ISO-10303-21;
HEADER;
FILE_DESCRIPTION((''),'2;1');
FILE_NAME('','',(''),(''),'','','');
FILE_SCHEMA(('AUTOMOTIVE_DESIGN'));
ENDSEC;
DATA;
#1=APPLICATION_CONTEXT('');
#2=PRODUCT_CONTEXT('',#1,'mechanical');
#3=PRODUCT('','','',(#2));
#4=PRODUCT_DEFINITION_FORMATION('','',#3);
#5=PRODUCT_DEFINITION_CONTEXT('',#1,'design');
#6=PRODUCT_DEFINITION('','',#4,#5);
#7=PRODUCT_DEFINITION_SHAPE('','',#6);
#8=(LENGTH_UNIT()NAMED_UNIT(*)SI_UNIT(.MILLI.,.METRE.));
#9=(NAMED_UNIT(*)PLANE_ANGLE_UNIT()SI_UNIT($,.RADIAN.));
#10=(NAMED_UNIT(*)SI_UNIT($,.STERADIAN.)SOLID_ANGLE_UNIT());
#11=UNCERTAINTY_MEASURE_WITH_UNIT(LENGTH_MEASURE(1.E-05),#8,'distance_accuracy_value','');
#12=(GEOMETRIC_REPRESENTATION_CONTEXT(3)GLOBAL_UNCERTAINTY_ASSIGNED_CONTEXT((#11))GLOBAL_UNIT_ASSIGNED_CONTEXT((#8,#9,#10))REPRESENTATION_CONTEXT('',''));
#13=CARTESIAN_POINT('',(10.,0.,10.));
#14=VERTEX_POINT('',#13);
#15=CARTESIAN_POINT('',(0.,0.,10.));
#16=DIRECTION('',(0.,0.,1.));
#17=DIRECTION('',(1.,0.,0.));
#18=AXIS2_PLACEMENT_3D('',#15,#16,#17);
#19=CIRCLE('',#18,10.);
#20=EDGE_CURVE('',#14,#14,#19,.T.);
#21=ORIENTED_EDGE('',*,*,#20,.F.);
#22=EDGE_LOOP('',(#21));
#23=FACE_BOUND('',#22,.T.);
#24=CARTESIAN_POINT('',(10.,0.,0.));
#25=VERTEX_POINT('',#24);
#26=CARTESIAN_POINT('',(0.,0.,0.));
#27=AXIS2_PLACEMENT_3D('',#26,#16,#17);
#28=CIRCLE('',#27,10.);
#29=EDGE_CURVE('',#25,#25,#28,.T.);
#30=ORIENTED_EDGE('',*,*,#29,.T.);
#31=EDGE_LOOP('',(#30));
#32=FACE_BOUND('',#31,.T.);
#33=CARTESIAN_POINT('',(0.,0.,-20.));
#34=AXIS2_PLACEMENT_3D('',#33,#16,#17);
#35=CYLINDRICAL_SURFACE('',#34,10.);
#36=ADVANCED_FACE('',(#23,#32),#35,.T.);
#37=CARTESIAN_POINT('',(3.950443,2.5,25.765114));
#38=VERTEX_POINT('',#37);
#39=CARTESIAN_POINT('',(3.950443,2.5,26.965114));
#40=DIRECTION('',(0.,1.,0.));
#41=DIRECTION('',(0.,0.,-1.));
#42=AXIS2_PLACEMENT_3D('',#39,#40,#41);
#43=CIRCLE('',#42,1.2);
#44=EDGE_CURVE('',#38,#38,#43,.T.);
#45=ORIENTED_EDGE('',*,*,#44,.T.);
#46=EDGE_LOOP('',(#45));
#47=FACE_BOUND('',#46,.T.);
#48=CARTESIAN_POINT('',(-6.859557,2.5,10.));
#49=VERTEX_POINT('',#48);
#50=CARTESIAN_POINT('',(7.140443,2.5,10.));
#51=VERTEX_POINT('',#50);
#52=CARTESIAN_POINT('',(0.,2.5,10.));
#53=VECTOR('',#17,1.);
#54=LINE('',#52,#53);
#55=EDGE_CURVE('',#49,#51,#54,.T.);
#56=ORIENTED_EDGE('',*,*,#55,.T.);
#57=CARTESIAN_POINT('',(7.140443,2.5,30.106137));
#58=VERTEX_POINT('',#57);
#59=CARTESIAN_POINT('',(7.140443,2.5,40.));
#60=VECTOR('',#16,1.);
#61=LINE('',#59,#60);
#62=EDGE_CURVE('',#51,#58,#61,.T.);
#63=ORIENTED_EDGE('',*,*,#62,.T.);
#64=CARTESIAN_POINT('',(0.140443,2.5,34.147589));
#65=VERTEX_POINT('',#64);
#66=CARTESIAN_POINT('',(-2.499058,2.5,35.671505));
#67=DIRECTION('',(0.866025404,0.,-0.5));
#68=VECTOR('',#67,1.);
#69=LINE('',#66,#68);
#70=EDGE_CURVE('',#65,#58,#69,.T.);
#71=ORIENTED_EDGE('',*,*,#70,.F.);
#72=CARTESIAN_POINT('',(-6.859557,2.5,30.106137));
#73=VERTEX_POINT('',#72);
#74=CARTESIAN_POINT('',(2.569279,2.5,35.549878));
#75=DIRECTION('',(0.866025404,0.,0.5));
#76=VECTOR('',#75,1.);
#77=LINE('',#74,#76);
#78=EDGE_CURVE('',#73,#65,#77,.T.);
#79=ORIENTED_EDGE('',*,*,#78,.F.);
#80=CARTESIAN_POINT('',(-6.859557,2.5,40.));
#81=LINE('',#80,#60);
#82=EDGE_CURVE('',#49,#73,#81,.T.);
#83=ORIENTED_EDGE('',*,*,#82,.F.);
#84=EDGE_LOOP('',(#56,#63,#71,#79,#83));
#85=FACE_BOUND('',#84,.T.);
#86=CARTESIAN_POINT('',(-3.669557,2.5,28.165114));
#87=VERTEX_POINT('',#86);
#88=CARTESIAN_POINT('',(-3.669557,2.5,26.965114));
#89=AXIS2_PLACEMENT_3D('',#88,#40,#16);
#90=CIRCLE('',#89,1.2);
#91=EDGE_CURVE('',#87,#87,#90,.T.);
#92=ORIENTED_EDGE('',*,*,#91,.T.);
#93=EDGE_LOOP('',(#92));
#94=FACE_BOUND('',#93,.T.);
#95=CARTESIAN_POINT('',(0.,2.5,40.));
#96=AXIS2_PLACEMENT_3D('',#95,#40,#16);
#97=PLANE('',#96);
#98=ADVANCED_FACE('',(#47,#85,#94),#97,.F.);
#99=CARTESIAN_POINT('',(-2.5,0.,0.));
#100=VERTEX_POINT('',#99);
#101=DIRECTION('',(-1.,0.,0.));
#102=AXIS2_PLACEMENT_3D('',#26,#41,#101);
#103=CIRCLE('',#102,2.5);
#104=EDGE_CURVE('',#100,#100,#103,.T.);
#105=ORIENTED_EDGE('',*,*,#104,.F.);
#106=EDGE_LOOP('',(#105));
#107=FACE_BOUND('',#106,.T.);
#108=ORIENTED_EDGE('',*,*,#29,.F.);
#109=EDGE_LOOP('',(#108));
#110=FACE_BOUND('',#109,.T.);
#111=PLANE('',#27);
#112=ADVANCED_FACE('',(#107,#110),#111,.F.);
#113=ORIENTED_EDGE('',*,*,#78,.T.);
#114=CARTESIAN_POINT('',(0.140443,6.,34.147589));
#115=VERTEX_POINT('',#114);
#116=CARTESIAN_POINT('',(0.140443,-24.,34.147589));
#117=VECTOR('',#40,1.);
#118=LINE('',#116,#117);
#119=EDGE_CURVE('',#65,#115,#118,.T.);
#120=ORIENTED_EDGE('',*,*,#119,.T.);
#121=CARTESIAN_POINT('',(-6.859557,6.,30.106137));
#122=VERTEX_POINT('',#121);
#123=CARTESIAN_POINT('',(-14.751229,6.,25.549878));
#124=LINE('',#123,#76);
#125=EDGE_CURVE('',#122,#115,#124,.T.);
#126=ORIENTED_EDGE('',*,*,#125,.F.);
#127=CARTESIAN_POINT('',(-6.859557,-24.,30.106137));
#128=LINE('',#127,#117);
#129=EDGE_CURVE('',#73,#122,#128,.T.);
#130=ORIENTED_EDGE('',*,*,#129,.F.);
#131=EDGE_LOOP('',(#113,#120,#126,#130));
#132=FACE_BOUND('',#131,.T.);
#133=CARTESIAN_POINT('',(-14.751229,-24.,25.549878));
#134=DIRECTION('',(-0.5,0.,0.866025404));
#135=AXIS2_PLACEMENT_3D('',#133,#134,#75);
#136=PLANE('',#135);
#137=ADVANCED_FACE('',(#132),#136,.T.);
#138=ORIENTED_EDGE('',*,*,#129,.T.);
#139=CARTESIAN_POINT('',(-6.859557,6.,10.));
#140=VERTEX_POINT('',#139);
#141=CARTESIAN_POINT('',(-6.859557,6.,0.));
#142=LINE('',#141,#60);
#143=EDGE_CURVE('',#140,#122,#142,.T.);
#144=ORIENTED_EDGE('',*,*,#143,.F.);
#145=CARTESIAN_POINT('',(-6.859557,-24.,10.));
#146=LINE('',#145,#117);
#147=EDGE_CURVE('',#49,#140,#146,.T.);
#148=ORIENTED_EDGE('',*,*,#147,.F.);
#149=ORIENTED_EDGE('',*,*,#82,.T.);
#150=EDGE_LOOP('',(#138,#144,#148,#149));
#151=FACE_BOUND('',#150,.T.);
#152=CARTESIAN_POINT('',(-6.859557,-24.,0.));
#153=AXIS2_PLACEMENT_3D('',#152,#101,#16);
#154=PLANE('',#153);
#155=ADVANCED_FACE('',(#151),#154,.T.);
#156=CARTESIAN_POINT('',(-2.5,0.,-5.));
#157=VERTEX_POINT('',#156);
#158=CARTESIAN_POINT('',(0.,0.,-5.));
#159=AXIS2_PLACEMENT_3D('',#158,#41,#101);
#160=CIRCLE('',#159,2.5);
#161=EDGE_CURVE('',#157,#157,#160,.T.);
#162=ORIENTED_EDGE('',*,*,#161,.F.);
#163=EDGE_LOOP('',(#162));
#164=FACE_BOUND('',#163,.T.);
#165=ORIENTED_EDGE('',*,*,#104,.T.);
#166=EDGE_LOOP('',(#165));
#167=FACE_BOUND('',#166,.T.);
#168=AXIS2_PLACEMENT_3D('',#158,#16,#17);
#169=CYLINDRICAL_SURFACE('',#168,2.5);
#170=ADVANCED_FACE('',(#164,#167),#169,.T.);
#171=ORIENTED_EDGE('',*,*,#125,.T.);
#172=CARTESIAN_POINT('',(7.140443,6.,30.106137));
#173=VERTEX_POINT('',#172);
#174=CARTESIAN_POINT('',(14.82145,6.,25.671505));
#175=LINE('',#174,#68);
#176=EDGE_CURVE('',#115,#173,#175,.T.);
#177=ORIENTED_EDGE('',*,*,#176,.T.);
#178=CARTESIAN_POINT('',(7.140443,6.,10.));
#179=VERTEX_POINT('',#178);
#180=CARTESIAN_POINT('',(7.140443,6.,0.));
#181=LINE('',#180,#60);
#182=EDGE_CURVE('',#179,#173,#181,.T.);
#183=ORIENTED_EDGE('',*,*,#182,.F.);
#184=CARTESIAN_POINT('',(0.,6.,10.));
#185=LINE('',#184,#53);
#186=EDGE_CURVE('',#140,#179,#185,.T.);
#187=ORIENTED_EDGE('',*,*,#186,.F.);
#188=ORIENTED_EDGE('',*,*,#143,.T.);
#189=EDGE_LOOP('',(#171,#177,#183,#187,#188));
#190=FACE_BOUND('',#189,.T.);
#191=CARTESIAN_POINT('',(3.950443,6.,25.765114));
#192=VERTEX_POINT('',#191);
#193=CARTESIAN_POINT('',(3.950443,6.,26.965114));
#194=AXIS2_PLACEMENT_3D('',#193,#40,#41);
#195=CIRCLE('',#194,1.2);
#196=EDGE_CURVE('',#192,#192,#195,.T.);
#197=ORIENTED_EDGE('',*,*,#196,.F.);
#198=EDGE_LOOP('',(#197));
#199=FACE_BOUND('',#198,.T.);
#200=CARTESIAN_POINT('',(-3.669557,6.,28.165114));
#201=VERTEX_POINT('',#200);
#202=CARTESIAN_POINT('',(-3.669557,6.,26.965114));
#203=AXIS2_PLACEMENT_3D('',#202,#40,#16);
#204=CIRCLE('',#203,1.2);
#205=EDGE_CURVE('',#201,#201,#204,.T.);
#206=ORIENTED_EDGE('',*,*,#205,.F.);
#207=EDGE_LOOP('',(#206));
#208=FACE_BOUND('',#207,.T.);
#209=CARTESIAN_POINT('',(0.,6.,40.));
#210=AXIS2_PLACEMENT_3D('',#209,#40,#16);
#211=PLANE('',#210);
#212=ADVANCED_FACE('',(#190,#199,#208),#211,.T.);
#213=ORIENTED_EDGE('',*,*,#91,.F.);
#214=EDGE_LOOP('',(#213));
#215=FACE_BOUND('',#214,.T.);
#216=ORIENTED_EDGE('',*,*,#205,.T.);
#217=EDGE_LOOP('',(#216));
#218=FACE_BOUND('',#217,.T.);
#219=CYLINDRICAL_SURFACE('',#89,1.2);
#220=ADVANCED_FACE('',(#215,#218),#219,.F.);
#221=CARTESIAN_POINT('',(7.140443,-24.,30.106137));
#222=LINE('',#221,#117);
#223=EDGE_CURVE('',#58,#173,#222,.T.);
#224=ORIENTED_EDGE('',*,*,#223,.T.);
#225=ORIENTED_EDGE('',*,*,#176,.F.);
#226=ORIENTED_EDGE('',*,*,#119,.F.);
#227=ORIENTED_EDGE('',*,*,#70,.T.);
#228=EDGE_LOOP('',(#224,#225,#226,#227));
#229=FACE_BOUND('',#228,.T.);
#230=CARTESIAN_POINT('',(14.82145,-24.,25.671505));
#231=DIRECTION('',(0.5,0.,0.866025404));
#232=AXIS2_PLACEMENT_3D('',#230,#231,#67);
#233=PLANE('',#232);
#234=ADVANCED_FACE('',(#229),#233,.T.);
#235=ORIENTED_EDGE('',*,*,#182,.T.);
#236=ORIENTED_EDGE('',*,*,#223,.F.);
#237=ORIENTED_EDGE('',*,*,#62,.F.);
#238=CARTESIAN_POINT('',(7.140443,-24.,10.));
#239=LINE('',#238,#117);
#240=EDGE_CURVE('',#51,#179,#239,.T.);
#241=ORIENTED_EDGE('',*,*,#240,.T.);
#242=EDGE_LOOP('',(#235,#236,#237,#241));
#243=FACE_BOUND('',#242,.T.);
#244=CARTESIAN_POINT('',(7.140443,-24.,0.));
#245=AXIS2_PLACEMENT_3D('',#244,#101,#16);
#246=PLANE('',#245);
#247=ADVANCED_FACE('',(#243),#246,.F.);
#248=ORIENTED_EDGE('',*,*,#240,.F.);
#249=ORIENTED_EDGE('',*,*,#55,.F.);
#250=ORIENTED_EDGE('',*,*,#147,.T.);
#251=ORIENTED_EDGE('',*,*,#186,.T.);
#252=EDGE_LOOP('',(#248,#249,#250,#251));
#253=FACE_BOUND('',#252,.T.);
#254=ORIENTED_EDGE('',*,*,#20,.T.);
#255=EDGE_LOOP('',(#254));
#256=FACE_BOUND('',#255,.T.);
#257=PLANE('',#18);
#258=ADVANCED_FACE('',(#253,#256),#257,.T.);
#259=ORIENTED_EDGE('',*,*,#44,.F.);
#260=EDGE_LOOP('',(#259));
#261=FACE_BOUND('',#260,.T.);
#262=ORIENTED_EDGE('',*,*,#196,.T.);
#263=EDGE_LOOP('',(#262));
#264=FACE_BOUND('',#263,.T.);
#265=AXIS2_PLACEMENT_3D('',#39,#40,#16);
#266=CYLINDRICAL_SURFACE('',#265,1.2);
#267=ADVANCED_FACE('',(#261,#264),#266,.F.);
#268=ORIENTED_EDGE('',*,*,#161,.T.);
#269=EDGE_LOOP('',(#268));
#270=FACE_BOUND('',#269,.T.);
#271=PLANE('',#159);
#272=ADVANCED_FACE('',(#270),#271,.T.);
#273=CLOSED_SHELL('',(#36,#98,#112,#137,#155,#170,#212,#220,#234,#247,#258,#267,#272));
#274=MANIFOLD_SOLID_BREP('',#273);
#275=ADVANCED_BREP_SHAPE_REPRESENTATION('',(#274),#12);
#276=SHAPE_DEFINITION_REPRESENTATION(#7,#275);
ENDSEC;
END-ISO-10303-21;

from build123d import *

# Parameters (mm, degrees)
CROQUIS1_R              = 15
SALIENTE_EXTRUIR1_DEPTH = 10
CROQUIS2_R              = 2.5
SALIENTE_EXTRUIR3_DEPTH = 5
CROQUIS3_W              = 27.214568237
CROQUIS3_H              = 3.5
SALIENTE_EXTRUIR5_DEPTH = 30
REDONDEO1_SIZE          = 10
REDONDEO2_SIZE          = 10
CROQUIS4_R              = 1.2
CORTAR_EXTRUIR7_DEPTH   = 30
CORTAR_EXTRUIR8_DEPTH   = 30
CORTAR_EXTRUIR9_START   = -30
CROQUIS8_R              = 15
CROQUIS8_R_2            = 10
CORTAR_EXTRUIR9_DEPTH   = 30
CROQUIS9_R              = 1.239789427
CROQUIS9_R_2            = 1.228877731
SALIENTE_EXTRUIR6_DEPTH = 3.5
CROQUIS10_R             = 1.2
CORTAR_EXTRUIR11_DEPTH  = 3.5


with BuildPart() as part:
    # Croquis1 → Saliente-Extruir1 (new body)
    with BuildSketch(Plane.XY):
        Circle(CROQUIS1_R)
    extrude(amount=SALIENTE_EXTRUIR1_DEPTH)

    # Croquis2 → Saliente-Extruir3 (add)
    with BuildSketch(Plane(origin=(0, 0, 0), x_dir=(-1, 0, 0), z_dir=(0, 0, -1))):
        Circle(CROQUIS2_R)
    extrude(amount=SALIENTE_EXTRUIR3_DEPTH)

    # Croquis3 → Saliente-Extruir5 (add)
    with BuildSketch(Plane.XY.offset(10)):
        with Locations((0.140442967, 4.25)):
            Rectangle(CROQUIS3_W, CROQUIS3_H)
    extrude(amount=SALIENTE_EXTRUIR5_DEPTH)

    # Redondeo1
    redondeo1_edges = [part.edges().sort_by_distance(p)[0] for p in [
        (13.747727085, 4.25, 40),
    ]]
    chamfer(redondeo1_edges, length=REDONDEO1_SIZE)

    # Redondeo2
    redondeo2_edges = [part.edges().sort_by_distance(p)[0] for p in [
        (-13.466841152, 4.25, 40),
    ]]
    chamfer(redondeo2_edges, length=REDONDEO2_SIZE)

    # Croquis4 → Cortar-Extruir7 (cut)
    with BuildSketch(Plane(origin=(0, 6, 0), x_dir=(1, 0, 0), z_dir=(0, 1, 0))):
        with Locations(Location((-2.669557034, -26.064684959, 0), (0, 0, 270))):
            Circle(CROQUIS4_R)
        with Locations(Location((2.950442966, -26.064684959, 0), (0, 0, 270))):
            Circle(CROQUIS4_R)
    extrude(amount=-CORTAR_EXTRUIR7_DEPTH, mode=Mode.SUBTRACT)

    # Croquis7 → Cortar-Extruir8 (cut)
    with BuildSketch(Plane(origin=(0, 6, 0), x_dir=(1, 0, 0), z_dir=(0, 1, 0))):
        Polygon((-6.859557034, -30.106136843), (-6.859557034, -22.023233074), (-6.859557034, -10), (-13.466841152, -10), (-13.466841152, -30), (-3.466841152, -40), (3.747727085, -40), (13.747727085, -30), (13.747727085, -10), (7.140442966, -10), (7.140442966, -22.023233074), (7.140442966, -30.106136843), (0.140442966, -34.147588727), align=None)
    extrude(amount=-CORTAR_EXTRUIR8_DEPTH, mode=Mode.SUBTRACT)

    # Croquis8 → Cortar-Extruir9 (cut)
    with BuildSketch(Plane.XY.offset(10).offset(CORTAR_EXTRUIR9_START)):
        Circle(CROQUIS8_R)
        Circle(CROQUIS8_R_2, mode=Mode.SUBTRACT)
    extrude(amount=CORTAR_EXTRUIR9_DEPTH, mode=Mode.SUBTRACT)

    # Croquis9 → Saliente-Extruir6 (add)
    with BuildSketch(Plane(origin=(0, 6, 0), x_dir=(1, 0, 0), z_dir=(0, 1, 0))):
        with Locations((-2.669557034, -26.064684959)):
            Circle(CROQUIS9_R)
        with Locations((2.950442966, -26.064684959)):
            Circle(CROQUIS9_R_2)
    extrude(amount=-SALIENTE_EXTRUIR6_DEPTH)

    # Croquis10 → Cortar-Extruir11 (cut)
    with BuildSketch(Plane(origin=(0, 6, 0), x_dir=(1, 0, 0), z_dir=(0, 1, 0))):
        with Locations(Location((-3.669557034, -26.965113623, 0), (0, 0, 270))):
            Circle(CROQUIS10_R)
        with Locations(Location((3.950442966, -26.965113623, 0), (0, 0, 90))):
            Circle(CROQUIS10_R)
    extrude(amount=-CORTAR_EXTRUIR11_DEPTH, mode=Mode.SUBTRACT)


solid = part.part
